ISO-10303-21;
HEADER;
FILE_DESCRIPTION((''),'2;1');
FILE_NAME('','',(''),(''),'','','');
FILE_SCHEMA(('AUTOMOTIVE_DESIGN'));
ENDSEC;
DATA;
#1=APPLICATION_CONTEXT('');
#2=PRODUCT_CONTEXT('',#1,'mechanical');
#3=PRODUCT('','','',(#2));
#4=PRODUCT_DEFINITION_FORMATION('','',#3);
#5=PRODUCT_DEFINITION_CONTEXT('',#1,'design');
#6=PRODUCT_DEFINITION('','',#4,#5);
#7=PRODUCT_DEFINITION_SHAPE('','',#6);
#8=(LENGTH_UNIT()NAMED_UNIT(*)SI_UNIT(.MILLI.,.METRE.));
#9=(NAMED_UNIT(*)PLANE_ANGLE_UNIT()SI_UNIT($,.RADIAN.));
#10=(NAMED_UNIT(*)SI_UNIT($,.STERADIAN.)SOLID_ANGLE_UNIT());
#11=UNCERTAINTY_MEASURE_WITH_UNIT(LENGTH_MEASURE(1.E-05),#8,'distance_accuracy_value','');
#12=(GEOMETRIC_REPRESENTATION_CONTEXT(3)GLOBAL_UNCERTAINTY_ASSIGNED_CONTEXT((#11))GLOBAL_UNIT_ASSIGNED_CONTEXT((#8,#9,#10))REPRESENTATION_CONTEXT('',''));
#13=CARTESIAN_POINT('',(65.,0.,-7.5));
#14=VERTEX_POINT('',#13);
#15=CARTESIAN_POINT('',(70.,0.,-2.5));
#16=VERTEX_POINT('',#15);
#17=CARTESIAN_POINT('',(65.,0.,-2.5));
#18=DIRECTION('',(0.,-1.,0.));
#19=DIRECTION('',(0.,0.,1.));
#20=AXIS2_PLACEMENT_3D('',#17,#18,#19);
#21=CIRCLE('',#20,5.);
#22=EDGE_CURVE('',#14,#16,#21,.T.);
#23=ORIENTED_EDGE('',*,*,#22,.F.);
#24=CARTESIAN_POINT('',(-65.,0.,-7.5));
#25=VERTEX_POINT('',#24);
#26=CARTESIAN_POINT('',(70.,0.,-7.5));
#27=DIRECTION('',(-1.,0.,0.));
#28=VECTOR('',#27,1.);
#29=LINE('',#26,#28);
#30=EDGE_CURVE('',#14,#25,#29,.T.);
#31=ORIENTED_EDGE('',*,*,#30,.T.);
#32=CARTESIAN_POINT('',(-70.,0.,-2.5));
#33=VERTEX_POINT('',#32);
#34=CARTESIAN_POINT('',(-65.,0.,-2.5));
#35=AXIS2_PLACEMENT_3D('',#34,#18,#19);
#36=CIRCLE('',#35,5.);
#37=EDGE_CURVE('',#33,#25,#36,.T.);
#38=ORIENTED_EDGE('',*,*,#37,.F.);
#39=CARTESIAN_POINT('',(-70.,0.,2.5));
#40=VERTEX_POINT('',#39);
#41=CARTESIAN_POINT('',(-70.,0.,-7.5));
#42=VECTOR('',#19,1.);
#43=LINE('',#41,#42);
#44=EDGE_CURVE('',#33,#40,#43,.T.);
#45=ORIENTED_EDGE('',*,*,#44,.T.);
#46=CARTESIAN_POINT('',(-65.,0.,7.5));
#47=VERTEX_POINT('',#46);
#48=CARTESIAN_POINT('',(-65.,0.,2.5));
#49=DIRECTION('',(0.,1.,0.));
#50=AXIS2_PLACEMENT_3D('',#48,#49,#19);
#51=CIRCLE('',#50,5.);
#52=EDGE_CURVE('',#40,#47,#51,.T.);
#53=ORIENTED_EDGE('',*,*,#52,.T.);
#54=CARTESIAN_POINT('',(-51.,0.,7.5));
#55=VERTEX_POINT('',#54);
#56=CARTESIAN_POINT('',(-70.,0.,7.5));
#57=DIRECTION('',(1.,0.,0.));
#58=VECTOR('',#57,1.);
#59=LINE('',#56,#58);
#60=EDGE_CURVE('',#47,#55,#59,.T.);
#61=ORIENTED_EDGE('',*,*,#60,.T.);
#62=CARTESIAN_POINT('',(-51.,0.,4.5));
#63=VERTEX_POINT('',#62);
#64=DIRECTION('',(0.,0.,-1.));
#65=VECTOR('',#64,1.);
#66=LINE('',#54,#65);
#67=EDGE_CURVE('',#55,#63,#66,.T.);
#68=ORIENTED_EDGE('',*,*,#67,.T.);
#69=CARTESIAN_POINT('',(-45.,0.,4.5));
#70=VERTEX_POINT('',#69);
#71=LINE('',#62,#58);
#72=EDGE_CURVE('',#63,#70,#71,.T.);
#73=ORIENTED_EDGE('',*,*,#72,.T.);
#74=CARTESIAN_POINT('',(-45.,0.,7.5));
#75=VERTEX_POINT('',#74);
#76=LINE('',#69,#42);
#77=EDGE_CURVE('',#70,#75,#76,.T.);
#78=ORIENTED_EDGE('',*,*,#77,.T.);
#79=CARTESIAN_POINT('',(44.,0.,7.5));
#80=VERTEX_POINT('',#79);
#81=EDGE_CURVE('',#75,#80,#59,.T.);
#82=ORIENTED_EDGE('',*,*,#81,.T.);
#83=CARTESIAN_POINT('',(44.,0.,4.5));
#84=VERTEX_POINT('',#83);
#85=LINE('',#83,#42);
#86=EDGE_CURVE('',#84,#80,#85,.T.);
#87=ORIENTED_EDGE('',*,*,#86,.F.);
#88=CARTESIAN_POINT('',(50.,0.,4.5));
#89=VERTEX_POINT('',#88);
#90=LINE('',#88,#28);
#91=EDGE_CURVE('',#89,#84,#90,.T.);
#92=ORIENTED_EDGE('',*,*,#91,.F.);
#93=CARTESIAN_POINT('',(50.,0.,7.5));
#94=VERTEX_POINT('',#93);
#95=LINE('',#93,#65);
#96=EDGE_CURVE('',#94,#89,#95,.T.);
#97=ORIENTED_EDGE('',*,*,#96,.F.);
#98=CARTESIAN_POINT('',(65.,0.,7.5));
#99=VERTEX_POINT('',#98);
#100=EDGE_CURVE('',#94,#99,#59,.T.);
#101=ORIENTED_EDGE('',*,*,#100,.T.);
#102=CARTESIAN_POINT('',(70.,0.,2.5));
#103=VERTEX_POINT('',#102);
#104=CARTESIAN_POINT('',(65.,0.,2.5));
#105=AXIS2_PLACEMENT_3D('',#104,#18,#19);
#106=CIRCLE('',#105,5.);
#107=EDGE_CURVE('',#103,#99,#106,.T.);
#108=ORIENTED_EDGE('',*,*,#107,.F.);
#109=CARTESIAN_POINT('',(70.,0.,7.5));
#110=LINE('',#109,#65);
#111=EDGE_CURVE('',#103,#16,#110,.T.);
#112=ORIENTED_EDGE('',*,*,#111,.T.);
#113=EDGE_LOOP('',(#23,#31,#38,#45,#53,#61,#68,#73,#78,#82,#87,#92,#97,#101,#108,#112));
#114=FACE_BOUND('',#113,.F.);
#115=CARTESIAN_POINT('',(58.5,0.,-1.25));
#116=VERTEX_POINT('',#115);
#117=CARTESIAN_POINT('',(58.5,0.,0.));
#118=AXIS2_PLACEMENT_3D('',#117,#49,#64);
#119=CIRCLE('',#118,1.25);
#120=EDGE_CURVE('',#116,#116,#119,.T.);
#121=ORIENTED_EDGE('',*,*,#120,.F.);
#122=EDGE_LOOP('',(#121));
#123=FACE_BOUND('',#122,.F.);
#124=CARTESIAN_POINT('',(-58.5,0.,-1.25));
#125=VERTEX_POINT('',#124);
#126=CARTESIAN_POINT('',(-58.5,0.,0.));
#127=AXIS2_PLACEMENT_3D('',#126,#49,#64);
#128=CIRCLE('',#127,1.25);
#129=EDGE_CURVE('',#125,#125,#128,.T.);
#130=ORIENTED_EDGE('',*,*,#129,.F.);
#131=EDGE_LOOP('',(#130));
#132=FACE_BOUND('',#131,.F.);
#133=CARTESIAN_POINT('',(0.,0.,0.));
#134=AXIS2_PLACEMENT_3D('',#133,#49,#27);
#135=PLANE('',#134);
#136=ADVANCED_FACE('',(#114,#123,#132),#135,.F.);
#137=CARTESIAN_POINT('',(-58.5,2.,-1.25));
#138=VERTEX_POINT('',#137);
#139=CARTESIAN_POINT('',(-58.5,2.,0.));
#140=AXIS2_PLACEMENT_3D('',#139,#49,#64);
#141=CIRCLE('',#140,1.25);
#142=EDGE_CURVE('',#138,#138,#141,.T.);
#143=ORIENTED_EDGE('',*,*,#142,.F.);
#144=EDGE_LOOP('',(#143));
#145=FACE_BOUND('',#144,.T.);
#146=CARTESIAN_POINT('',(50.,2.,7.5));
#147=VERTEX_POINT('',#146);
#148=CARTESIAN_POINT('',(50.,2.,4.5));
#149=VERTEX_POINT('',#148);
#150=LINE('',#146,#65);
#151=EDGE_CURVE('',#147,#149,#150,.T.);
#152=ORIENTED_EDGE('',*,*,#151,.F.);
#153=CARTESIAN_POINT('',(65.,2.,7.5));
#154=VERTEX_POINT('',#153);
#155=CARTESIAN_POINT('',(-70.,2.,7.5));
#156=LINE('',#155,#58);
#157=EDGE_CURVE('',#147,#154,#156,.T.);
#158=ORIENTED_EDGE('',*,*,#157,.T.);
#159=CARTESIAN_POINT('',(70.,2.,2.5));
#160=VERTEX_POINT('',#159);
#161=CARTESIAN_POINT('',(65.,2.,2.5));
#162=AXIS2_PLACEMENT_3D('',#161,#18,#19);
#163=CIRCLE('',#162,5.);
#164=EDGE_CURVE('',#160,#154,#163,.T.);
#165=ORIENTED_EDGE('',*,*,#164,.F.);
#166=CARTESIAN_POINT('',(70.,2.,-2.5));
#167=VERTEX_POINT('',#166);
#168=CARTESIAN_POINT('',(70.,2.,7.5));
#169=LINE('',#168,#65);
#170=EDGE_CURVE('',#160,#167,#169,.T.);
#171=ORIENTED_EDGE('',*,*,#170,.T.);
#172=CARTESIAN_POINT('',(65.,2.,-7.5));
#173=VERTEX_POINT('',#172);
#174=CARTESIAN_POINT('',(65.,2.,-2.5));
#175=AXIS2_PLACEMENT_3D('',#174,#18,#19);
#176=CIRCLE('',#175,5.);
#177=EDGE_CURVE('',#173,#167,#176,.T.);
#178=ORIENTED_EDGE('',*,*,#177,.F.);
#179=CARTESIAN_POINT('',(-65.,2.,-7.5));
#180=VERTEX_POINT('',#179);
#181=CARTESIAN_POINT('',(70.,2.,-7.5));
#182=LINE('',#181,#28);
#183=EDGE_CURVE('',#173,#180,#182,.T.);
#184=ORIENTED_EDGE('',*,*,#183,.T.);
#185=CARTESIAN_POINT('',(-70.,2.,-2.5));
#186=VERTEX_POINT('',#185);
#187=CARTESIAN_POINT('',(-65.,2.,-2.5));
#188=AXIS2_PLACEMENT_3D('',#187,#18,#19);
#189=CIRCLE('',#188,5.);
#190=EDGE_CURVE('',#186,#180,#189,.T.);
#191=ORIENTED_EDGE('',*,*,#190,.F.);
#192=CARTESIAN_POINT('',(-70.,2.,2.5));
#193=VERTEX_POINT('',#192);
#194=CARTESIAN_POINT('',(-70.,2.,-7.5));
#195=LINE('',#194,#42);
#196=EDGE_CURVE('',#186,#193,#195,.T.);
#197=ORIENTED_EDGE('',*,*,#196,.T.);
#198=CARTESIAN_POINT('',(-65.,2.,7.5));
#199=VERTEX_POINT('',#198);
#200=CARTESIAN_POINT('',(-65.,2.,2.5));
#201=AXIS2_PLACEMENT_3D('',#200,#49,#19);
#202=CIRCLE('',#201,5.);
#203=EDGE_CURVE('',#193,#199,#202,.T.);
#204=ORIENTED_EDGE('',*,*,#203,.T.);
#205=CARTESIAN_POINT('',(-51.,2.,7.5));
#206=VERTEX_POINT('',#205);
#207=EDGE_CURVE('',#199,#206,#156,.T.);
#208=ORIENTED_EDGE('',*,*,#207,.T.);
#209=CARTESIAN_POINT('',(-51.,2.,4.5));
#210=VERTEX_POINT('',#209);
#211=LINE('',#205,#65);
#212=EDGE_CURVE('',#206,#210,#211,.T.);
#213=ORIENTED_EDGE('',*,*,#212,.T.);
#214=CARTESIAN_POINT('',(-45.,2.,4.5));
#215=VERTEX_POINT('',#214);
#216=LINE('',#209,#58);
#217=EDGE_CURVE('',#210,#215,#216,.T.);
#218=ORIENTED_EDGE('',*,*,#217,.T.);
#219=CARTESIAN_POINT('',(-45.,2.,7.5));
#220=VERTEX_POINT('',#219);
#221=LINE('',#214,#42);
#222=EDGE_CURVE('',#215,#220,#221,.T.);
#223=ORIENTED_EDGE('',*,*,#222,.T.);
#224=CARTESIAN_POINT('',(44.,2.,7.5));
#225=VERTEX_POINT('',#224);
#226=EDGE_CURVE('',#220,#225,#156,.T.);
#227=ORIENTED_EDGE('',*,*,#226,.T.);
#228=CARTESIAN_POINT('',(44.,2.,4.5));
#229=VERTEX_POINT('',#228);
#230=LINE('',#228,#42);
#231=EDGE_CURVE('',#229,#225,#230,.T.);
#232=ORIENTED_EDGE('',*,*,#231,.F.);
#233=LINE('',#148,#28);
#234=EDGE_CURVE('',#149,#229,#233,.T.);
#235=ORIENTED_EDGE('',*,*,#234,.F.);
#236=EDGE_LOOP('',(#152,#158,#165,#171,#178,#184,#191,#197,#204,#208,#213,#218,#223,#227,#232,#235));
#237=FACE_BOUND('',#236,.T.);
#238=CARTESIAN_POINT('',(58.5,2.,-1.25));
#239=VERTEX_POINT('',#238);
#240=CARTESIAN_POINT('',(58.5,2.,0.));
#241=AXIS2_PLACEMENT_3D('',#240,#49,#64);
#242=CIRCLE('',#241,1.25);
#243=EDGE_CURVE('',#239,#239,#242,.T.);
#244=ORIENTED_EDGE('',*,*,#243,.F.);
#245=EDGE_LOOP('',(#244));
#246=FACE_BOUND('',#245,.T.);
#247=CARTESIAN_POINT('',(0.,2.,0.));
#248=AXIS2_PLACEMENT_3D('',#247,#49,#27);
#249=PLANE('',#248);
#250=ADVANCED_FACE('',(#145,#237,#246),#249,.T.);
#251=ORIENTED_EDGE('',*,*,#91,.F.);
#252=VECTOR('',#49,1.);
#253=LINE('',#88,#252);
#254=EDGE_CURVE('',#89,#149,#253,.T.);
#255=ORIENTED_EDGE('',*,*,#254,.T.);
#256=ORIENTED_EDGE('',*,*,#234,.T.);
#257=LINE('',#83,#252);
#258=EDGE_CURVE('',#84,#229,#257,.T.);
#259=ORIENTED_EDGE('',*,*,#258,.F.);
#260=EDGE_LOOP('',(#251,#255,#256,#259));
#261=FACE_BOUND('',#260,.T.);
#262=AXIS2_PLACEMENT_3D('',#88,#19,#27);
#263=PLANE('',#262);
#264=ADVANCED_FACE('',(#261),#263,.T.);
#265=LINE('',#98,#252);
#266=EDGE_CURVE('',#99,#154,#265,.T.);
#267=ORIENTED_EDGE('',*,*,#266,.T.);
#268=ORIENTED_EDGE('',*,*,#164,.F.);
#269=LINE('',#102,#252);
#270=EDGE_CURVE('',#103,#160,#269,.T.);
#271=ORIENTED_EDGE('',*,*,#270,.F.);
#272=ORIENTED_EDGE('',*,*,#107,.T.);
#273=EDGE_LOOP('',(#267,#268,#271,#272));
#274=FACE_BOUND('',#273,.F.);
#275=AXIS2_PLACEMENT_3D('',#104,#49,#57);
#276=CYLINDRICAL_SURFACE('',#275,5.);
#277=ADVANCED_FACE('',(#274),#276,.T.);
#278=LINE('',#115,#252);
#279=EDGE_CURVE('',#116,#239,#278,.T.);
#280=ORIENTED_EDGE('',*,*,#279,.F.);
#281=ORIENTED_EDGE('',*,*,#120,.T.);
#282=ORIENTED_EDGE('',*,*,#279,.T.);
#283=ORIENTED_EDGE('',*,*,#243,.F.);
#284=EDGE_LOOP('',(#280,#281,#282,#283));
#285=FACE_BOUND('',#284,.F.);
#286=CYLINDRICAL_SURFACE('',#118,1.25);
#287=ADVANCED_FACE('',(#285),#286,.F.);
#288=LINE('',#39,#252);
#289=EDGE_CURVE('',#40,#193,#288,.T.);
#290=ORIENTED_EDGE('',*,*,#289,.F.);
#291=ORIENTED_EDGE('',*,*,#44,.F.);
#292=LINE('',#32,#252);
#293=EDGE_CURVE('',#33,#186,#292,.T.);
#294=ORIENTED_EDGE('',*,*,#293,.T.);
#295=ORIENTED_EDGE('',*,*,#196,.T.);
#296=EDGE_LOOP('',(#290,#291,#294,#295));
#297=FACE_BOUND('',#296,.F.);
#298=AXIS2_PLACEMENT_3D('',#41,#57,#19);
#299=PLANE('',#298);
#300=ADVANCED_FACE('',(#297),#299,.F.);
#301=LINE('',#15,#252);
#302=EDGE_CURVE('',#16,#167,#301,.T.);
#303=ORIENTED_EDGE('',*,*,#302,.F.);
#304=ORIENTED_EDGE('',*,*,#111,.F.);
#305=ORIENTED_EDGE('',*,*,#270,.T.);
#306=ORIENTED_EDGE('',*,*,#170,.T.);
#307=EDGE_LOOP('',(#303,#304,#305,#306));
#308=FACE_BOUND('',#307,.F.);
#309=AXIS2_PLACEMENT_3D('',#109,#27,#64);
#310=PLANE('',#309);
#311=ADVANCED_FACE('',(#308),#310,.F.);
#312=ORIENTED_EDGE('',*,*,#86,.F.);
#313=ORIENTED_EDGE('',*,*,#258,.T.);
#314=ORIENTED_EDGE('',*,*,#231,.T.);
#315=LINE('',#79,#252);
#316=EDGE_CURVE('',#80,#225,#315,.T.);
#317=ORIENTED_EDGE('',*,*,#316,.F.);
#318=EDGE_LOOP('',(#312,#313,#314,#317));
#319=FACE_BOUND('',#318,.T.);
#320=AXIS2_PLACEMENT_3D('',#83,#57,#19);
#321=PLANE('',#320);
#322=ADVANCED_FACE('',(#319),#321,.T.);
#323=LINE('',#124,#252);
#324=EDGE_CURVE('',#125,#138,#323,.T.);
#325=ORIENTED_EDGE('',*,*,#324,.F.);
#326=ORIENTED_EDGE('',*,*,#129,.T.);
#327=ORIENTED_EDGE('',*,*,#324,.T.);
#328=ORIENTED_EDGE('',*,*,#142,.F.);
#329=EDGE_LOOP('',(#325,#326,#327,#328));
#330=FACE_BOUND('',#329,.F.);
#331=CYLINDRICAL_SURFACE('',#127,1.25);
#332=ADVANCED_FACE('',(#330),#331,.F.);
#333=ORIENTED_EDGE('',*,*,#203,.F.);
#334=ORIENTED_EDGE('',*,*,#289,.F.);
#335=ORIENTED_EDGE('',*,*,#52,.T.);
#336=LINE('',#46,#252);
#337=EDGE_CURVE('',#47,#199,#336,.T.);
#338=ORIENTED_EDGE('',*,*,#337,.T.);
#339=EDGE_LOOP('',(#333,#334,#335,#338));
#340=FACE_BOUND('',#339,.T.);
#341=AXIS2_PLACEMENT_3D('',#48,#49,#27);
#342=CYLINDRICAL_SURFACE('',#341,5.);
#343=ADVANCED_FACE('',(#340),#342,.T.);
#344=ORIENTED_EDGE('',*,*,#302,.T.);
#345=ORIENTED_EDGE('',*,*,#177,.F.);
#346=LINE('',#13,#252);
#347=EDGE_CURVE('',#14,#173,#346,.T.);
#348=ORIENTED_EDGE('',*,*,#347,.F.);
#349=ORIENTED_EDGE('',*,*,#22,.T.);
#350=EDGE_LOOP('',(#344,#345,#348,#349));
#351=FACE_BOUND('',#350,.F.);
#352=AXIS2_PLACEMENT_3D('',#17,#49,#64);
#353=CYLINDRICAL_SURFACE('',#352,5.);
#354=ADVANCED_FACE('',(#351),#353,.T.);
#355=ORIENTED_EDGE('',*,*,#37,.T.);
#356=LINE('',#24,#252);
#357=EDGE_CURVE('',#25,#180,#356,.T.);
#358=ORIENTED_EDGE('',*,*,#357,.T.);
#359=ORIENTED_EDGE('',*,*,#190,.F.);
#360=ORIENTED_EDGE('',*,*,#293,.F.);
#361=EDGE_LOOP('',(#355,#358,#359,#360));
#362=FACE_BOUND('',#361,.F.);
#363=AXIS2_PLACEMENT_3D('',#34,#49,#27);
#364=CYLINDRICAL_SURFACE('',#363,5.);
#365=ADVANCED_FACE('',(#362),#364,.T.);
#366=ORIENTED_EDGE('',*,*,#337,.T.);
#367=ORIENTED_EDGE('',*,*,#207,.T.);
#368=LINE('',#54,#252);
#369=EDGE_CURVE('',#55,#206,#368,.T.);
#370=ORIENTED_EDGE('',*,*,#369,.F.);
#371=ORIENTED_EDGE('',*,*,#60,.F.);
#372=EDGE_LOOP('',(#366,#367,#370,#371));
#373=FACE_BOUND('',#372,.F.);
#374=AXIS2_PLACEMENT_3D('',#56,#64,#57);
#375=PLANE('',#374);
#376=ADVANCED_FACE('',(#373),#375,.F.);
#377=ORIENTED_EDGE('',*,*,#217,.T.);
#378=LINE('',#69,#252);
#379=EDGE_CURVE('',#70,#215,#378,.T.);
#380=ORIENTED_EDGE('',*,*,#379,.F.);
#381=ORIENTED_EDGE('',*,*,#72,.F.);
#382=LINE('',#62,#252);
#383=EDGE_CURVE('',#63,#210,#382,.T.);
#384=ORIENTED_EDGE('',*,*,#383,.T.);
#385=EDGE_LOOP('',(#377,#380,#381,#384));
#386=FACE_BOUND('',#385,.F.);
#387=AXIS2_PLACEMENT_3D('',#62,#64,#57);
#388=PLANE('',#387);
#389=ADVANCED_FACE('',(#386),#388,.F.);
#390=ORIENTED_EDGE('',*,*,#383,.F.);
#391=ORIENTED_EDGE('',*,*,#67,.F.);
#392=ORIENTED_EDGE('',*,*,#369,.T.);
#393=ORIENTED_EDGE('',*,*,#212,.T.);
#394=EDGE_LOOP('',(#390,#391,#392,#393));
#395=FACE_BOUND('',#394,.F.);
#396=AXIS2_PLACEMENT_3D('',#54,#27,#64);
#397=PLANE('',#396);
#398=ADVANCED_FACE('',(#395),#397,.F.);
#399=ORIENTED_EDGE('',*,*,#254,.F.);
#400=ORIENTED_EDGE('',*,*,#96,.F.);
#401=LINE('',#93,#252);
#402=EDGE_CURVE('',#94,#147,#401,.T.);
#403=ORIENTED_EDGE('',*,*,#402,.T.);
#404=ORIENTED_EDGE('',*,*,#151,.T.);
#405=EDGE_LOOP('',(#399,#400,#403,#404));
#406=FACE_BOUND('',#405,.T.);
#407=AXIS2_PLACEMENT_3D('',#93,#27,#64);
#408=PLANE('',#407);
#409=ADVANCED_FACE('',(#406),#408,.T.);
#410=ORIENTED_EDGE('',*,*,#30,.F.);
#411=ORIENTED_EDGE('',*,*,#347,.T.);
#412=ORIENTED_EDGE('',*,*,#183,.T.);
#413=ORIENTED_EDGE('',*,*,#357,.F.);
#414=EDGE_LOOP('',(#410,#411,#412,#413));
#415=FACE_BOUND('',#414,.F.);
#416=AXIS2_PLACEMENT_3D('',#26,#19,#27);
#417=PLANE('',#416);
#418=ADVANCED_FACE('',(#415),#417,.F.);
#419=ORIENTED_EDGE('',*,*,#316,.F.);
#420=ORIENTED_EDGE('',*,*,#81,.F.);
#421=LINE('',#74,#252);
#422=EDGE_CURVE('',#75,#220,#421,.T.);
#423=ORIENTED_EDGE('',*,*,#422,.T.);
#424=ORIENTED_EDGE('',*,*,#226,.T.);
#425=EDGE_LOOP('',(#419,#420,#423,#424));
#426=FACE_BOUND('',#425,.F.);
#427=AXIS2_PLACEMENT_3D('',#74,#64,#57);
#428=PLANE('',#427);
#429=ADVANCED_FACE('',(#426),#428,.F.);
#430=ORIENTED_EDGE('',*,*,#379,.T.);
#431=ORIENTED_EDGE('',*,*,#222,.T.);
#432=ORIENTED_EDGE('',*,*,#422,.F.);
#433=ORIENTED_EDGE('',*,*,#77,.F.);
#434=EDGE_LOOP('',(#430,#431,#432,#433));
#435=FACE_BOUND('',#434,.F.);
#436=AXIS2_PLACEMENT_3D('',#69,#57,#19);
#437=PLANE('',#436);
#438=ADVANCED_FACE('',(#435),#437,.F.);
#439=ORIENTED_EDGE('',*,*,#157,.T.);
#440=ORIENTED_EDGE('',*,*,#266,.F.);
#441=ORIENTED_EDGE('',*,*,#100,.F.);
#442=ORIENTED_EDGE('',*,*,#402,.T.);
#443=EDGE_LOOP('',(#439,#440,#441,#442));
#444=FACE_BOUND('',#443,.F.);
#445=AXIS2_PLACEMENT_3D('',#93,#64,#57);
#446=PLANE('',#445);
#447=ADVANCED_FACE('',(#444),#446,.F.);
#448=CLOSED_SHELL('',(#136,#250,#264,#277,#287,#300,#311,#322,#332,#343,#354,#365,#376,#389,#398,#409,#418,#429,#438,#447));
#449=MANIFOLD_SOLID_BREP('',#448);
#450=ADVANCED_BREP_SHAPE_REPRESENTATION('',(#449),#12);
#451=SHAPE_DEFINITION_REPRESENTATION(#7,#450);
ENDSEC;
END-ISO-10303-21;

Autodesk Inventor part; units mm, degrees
ref_plane "YZ Plane" through (0, 0, 0) normal (1, 0, 0) x (0, 1, 0)
ref_plane "XZ Plane" through (0, 0, 0) normal (0, 1, 0) x (-1, 0, 0)
ref_plane "XY Plane" through (0, 0, 0) normal (0, 0, 1) x (1, 0, 0)
sketch "Sketch1" plane through (0, 0, 0) normal (0, 1, 0) x (-1, 0, 0)
  line L0 (70, 7.5) -> (-70, 7.5)
  line L1 (-70, 7.5) -> (-70, -7.5)
  line L2 (-70, -7.5) -> (70, -7.5)
  line L3 (70, -7.5) -> (70, 7.5)
  line L4 (51, 7.5) -> (51, 4.5)
  line L5 (51, 4.5) -> (45, 4.5)
  line L6 (45, 4.5) -> (45, 7.5)
  line L7 (-50, 7.5) -> (-50, 4.5)
  line L8 (-50, 4.5) -> (-44, 4.5)
  line L9 (-44, 4.5) -> (-44, 7.5)
  point P0 (0, 0)
  point P1 (58.5, 0)
  point P2 (-58.5, 0)
  point P3 (-70, 0)
  dimension "d0" = 117
  dimension "d1" = 58.5
  dimension "d2" = 140
  dimension "d3" = 70
  dimension "d4" = 7.5
  dimension "d5" = 15
  dimension "d6" = 7.5
  dimension "d7" = 6
  dimension "d8" = 3
  dimension "d9" = 7.5
  dimension "d10" = 6
  dimension "d11" = 3
  dimension "d12" = 101
extrude "Extrusion1" add sketch "Sketch1" along normal blind 2 contours L3 L2 L1 L0 L7 L8 L9 L6 L5 L4
hole "Hole1" at (-58.5, 0, 0) at (58.5, 0, 0) direction (0, 1, 0) diameter 2.5 depth 6.5
fillet "Fillet1" radius 5 4 edges at (-70, 1, 7.5) (-70, 1, -7.5) (70, 1, 7.5) (70, 1, -7.5)
equation "\"d1\" = 0.5 * d0"
equation "\"d3\" = 0.5 * d2"
equation "\"d4\" = 0.5 * d5"
equation "\"d6\" = d4"
properties part number "3DP_PLA_Screw_Spacing_Test_Part"
